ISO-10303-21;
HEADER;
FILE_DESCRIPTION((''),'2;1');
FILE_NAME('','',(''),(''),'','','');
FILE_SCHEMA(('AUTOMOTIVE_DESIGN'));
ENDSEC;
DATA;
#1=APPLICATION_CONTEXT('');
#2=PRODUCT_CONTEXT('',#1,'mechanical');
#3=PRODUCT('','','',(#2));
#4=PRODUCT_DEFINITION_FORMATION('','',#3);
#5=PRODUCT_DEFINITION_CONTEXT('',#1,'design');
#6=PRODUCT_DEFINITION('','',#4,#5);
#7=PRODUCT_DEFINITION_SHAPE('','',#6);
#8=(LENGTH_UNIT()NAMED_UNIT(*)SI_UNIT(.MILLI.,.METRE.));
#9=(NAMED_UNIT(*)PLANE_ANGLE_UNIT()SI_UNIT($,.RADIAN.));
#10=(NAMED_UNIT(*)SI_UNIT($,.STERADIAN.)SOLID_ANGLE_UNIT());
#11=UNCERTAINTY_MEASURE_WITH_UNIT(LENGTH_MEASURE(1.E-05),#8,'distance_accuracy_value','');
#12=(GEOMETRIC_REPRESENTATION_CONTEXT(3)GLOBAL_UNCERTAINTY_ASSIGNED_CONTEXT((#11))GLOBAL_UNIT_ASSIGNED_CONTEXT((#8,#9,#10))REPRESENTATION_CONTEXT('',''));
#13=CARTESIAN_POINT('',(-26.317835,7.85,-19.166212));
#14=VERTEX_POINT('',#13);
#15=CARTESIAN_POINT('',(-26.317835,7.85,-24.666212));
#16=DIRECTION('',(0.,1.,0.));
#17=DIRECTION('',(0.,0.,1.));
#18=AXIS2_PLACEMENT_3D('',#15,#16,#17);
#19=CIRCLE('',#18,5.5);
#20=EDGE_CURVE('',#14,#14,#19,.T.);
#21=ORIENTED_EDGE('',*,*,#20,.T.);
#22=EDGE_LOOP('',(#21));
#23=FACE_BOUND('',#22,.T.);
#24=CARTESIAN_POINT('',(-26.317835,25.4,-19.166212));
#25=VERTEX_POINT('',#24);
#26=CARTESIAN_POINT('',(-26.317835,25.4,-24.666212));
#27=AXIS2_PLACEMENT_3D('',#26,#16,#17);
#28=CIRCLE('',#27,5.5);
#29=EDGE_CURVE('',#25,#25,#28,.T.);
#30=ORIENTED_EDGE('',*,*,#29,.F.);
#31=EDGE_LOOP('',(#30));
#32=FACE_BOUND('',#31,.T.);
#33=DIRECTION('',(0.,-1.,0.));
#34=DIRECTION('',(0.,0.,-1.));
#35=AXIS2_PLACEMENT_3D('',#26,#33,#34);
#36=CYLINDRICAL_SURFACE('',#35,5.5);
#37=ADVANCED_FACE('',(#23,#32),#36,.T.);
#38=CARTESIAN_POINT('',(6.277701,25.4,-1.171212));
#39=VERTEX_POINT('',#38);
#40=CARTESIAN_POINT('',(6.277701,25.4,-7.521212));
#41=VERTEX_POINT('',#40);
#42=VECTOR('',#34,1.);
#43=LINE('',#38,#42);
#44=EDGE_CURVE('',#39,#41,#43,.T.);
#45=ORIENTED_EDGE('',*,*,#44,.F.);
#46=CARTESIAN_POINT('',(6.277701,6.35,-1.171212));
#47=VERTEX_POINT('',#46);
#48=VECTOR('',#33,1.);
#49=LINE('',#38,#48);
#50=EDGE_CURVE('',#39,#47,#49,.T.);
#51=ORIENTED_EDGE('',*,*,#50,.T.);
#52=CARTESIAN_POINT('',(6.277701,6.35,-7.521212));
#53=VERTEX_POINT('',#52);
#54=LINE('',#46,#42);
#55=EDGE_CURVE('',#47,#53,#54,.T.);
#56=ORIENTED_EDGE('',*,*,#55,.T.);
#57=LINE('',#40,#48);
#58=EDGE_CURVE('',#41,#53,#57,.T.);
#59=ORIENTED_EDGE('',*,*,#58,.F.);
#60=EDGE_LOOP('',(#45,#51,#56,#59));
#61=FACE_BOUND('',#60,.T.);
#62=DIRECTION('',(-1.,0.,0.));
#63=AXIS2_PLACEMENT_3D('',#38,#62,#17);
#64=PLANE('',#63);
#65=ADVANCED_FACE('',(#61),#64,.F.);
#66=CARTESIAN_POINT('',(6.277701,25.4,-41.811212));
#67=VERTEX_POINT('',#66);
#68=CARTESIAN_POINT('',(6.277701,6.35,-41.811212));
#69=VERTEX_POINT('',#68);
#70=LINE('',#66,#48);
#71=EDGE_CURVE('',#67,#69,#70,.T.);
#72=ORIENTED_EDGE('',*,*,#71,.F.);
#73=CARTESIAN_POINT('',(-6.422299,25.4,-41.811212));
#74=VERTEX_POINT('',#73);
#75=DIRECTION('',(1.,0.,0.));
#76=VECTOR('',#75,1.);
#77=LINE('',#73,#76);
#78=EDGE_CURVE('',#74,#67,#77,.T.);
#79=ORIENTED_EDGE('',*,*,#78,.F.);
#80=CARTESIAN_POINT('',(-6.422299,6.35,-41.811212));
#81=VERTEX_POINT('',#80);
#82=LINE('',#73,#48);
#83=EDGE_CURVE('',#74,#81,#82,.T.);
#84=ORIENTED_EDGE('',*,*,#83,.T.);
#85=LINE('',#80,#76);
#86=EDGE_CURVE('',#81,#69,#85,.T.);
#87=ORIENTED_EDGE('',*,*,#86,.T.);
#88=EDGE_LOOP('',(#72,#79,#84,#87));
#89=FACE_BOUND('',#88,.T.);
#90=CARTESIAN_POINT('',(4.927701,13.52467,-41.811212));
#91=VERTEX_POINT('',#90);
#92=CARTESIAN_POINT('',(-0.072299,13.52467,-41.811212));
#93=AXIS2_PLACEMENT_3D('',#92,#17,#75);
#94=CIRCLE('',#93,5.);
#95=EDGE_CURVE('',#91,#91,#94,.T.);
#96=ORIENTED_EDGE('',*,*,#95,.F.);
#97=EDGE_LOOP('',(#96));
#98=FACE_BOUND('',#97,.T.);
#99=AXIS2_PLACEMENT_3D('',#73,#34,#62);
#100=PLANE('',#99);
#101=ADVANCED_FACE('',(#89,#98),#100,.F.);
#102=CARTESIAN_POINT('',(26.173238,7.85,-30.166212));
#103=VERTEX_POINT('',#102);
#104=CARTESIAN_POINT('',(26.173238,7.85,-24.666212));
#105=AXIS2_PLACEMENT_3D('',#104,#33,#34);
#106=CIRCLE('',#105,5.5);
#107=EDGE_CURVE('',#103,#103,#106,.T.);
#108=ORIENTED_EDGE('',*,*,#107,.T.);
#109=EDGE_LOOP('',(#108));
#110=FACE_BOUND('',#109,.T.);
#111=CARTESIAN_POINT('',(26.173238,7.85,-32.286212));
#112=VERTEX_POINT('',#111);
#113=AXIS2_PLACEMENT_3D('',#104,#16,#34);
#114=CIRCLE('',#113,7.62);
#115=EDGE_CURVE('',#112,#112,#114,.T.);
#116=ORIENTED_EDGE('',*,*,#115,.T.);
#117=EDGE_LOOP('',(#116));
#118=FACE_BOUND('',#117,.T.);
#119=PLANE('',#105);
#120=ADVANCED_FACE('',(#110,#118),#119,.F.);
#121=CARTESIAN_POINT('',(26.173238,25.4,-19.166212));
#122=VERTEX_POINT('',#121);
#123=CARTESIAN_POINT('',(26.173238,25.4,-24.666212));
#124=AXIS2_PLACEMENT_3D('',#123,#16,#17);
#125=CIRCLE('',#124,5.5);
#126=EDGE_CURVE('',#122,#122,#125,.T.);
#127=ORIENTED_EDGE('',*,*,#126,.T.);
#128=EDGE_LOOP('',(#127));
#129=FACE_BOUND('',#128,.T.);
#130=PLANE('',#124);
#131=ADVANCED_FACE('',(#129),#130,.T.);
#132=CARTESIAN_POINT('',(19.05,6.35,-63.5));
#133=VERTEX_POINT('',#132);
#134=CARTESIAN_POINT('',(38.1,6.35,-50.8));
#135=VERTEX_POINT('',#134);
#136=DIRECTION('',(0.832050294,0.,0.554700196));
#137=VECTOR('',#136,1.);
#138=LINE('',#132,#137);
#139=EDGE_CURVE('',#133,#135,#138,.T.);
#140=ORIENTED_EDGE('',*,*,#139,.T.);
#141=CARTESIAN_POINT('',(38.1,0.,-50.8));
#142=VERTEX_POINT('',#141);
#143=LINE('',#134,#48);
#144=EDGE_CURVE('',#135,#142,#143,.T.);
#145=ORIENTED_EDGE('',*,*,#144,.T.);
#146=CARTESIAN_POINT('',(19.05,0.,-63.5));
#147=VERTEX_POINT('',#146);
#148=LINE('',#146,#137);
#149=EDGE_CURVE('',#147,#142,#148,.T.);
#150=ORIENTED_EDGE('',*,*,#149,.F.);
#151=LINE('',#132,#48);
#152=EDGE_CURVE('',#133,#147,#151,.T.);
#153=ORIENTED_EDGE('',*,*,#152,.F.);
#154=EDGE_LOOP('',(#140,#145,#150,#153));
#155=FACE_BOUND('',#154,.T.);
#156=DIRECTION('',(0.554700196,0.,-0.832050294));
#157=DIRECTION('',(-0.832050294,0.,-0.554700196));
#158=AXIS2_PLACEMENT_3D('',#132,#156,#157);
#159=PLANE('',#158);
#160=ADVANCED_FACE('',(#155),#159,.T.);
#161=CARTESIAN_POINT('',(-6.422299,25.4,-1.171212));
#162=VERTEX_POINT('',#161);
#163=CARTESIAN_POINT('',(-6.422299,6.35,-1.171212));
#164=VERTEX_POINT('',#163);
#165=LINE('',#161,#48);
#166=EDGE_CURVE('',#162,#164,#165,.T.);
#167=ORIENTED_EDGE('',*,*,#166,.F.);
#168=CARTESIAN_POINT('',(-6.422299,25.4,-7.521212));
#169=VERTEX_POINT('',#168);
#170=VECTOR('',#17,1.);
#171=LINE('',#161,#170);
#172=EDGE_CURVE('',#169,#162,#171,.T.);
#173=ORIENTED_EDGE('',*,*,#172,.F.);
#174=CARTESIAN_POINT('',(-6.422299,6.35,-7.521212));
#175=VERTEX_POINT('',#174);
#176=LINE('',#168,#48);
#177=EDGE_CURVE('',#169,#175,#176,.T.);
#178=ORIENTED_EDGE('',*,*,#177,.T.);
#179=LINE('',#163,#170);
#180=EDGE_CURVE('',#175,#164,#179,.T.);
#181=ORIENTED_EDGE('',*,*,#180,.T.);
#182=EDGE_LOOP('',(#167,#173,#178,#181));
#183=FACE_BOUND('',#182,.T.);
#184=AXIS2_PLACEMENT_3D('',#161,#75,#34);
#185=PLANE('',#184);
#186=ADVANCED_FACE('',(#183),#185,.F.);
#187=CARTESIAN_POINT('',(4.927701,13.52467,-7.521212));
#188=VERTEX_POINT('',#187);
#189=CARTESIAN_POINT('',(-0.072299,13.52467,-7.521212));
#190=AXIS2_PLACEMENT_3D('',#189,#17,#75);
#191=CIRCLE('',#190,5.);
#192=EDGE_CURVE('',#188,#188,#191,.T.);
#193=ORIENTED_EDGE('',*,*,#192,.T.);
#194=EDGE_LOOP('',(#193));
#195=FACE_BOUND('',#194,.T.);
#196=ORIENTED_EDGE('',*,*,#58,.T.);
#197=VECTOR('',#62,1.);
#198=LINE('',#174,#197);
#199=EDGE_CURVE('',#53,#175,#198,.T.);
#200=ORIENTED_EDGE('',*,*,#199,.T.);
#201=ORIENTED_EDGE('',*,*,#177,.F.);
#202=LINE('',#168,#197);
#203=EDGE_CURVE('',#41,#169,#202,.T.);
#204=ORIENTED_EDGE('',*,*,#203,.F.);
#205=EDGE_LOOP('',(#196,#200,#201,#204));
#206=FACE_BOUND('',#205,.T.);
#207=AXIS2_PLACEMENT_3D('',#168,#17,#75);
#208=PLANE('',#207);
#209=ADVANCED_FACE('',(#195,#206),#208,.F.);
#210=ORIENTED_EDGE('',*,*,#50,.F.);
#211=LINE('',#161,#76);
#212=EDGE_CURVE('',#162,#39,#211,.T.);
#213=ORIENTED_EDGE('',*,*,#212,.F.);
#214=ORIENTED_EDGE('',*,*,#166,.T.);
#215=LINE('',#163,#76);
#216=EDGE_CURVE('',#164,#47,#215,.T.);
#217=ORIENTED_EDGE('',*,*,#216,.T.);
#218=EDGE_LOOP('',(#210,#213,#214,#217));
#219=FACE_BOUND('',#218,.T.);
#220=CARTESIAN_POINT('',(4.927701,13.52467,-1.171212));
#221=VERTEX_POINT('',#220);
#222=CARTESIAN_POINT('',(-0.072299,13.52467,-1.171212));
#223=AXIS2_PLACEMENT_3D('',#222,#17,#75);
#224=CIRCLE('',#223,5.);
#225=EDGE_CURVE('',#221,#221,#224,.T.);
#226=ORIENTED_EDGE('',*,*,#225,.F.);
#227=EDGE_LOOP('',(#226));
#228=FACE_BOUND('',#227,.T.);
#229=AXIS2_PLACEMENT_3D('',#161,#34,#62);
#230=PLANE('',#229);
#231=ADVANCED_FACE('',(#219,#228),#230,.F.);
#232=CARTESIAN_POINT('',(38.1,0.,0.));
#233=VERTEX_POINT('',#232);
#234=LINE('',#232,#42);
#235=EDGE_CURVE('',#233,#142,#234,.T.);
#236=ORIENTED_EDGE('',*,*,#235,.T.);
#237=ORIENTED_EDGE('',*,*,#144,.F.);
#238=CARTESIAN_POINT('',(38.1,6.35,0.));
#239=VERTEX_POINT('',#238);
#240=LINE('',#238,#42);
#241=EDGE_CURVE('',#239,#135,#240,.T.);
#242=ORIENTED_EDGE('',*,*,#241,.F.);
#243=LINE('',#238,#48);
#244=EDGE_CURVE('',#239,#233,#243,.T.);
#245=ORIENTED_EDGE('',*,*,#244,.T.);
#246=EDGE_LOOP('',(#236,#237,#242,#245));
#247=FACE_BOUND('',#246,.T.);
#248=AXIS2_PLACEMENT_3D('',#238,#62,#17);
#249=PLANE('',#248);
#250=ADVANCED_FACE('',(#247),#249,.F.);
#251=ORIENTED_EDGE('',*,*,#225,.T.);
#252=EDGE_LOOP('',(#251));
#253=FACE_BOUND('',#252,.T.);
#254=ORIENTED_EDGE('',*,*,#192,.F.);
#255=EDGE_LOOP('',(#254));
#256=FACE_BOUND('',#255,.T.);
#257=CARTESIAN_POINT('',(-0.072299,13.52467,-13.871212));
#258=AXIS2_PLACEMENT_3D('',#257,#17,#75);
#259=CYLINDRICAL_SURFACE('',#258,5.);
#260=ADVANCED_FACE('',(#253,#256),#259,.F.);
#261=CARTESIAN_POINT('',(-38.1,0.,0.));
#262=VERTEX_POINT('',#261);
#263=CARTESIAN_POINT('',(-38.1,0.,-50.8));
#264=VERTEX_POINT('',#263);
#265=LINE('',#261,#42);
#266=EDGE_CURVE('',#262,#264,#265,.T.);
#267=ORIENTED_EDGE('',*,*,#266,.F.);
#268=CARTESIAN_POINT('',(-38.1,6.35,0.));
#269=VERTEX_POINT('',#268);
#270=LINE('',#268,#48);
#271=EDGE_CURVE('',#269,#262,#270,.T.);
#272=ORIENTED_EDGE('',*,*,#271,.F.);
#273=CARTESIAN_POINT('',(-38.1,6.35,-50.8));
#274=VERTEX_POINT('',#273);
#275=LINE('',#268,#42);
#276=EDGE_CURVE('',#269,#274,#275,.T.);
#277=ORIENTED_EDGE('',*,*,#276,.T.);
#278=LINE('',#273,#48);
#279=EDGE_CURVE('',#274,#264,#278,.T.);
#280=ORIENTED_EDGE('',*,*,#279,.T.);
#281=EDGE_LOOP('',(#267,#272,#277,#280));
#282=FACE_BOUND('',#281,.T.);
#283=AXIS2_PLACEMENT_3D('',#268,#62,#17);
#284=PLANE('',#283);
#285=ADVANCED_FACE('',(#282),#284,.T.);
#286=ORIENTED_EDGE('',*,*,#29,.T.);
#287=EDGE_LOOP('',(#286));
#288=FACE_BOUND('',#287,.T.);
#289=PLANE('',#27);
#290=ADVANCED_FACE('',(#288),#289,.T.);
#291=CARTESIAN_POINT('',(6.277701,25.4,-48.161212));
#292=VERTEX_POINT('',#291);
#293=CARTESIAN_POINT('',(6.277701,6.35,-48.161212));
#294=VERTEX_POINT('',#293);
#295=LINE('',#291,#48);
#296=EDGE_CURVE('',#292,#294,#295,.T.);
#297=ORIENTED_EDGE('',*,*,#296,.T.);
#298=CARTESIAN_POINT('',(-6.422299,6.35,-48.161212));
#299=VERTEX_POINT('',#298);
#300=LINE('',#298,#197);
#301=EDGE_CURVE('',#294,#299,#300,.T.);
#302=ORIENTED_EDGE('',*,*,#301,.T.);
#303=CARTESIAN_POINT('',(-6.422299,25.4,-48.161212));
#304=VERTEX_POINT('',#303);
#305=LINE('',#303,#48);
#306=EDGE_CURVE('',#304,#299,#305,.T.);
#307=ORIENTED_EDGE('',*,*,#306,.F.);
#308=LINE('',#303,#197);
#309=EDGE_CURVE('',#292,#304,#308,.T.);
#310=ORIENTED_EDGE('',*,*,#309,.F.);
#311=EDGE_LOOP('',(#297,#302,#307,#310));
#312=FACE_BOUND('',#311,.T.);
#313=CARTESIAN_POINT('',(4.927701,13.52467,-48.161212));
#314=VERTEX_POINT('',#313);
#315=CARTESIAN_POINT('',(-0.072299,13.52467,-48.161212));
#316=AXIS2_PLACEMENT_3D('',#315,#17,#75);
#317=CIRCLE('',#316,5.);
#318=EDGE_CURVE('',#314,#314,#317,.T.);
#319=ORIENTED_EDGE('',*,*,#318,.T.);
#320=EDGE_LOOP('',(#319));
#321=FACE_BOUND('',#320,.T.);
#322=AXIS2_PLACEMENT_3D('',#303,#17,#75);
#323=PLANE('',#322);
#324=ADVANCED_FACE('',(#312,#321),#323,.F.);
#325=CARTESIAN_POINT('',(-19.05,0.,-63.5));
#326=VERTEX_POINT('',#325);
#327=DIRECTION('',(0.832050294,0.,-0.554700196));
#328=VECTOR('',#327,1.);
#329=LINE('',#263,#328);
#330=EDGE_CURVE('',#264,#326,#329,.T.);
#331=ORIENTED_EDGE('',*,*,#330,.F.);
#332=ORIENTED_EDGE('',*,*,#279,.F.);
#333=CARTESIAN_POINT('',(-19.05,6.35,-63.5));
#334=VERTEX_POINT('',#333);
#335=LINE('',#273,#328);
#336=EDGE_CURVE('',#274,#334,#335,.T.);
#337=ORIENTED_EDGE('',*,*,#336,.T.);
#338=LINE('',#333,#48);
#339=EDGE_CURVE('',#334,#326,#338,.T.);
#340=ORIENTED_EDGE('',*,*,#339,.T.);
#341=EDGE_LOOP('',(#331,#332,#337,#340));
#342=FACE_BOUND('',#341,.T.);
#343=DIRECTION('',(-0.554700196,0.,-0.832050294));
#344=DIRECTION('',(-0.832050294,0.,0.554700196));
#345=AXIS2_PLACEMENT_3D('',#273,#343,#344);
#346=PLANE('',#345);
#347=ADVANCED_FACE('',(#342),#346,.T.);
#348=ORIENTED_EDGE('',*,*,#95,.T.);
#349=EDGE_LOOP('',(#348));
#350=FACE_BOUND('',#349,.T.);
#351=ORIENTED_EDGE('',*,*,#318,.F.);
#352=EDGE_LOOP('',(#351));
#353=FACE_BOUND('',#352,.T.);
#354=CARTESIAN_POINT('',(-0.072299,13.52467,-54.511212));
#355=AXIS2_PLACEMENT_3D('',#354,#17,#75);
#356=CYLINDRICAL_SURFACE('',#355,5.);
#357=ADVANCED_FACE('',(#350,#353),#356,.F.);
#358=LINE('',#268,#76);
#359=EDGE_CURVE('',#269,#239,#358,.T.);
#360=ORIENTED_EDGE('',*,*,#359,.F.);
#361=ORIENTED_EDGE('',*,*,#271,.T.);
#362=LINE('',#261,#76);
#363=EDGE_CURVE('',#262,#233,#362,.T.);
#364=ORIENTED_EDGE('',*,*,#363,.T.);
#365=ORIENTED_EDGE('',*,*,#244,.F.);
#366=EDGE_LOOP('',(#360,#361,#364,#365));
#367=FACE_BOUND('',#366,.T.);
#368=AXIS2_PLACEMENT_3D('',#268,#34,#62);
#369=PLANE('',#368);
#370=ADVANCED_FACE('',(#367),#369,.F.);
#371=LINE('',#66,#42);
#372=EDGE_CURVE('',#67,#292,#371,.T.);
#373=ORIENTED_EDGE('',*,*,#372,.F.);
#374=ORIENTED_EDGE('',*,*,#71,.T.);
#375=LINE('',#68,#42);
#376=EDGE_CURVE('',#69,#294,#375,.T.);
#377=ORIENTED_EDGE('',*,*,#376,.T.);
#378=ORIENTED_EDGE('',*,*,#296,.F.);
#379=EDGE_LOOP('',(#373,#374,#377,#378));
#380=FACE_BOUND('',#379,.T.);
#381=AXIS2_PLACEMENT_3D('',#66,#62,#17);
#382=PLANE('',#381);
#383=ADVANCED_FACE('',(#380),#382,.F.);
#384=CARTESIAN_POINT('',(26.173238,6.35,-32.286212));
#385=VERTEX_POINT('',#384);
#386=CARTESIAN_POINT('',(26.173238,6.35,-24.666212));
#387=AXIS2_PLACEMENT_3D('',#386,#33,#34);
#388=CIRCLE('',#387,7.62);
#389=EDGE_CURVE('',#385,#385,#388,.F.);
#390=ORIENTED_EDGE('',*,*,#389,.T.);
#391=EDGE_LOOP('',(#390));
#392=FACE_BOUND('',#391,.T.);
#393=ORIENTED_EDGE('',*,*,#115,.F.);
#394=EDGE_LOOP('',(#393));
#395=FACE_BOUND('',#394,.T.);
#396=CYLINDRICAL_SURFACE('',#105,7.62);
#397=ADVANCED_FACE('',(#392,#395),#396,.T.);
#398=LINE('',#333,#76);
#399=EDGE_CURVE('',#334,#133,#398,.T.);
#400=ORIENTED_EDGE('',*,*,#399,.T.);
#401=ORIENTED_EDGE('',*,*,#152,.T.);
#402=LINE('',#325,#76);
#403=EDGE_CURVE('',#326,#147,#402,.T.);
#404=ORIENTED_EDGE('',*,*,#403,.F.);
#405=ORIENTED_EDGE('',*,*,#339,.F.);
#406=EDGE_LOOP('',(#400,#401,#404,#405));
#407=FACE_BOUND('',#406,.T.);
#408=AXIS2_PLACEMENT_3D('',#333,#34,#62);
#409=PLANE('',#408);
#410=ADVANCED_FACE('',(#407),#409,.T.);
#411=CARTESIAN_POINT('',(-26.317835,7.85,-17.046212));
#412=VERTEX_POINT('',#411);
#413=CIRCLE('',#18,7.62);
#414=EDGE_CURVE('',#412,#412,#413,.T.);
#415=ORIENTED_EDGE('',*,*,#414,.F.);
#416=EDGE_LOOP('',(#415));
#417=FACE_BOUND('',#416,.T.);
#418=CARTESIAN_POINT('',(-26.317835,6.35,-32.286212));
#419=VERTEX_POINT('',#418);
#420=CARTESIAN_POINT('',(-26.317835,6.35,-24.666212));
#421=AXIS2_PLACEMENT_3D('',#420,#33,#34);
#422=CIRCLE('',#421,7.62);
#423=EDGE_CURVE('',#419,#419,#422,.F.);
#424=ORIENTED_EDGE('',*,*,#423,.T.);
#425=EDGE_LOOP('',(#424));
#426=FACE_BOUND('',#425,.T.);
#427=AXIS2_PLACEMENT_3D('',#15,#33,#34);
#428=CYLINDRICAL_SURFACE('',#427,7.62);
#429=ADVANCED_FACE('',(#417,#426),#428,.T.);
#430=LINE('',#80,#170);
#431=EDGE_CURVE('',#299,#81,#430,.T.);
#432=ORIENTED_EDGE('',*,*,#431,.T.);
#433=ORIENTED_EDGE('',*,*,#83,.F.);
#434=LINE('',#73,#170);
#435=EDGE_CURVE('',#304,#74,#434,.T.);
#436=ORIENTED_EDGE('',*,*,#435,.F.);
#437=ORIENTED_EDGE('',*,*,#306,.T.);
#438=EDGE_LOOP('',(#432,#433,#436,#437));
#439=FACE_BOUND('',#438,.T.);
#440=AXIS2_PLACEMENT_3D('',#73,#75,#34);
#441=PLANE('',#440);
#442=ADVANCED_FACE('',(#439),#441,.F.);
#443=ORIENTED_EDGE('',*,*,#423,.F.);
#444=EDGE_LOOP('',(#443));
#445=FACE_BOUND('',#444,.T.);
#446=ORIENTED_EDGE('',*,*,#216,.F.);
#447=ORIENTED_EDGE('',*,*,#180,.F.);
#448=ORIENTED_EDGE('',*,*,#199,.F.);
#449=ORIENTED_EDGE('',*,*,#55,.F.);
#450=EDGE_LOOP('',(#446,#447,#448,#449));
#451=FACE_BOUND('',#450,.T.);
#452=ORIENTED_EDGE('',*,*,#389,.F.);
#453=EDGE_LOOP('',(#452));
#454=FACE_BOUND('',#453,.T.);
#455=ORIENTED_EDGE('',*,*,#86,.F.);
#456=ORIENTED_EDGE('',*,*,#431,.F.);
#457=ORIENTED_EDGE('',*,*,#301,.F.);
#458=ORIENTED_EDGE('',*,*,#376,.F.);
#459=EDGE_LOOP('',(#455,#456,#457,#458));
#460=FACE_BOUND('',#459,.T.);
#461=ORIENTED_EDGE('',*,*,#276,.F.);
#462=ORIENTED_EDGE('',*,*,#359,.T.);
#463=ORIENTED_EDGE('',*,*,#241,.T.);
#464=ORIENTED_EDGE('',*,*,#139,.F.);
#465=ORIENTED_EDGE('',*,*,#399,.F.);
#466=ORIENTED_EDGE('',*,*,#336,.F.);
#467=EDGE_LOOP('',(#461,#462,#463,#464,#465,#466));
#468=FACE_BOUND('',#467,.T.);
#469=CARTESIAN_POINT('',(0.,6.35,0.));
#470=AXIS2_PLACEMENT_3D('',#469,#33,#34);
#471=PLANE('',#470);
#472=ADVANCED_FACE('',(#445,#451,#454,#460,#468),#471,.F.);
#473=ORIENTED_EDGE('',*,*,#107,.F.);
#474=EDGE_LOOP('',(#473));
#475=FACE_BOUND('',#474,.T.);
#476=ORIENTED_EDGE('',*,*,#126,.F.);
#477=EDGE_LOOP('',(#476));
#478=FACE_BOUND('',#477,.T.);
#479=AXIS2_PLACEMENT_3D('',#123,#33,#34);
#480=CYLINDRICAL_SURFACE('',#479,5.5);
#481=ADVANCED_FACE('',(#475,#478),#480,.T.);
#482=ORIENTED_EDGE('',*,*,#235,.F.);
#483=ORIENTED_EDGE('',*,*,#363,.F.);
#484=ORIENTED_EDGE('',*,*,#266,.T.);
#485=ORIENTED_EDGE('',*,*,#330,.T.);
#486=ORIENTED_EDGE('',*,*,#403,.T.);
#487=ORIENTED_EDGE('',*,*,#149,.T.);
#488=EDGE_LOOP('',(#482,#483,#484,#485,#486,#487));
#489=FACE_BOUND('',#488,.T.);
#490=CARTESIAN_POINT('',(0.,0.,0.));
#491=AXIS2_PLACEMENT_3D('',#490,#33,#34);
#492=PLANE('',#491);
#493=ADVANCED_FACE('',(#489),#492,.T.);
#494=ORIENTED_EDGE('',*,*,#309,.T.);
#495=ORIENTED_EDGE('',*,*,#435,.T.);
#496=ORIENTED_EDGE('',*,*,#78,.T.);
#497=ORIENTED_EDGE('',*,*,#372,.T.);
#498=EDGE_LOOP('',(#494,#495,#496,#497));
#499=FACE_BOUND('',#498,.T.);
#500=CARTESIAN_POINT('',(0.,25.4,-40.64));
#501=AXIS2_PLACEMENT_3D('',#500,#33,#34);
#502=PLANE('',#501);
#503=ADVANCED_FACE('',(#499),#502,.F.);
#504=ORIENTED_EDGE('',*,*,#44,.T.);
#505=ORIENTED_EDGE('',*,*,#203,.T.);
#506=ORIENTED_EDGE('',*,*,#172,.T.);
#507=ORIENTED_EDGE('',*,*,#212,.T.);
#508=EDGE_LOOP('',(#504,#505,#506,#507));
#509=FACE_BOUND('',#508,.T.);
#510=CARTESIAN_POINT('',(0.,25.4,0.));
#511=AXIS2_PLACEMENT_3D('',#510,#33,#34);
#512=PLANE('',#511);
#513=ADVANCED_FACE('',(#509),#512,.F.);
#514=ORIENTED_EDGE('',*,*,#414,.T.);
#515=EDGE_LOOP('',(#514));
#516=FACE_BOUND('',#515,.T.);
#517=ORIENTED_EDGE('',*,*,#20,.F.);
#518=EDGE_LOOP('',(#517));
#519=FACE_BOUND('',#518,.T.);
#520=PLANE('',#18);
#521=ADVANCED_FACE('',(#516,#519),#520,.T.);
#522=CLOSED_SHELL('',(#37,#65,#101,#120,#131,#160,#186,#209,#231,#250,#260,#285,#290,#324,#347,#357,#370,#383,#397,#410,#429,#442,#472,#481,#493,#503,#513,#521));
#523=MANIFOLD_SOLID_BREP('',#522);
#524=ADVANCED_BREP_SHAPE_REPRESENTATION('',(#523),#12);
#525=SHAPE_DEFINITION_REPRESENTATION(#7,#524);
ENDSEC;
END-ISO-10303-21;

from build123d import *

# Parameters (mm, degrees)
BOSS_EXTRUDE1_DEPTH = 6.35
SKETCH3_W           = 12.7
SKETCH3_H           = 6.35
BOSS_EXTRUDE2_DEPTH = 19.05
SKETCH4_R           = 5
CUT_EXTRUDE1_DEPTH  = 12.7
LPATTERN1_COUNT     = 2
LPATTERN1_PITCH     = 40.64
SKETCH5_R           = 5.5
BOSS_EXTRUDE3_DEPTH = 19.05
SKETCH10_R          = 7.62
BOSS_EXTRUDE4_DEPTH = 1.5


with BuildPart() as part:
    # Sketch2 → Boss-Extrude1 (new body)
    with BuildSketch(Plane(origin=(0, 0, 0), x_dir=(1, 0, 0), z_dir=(0, 1, 0))):
        Polygon((-38.1, 0), (38.1, 0), (38.1, 50.8), (19.05, 63.5), (-19.05, 63.5), (-38.1, 50.8), align=None)
    extrude(amount=BOSS_EXTRUDE1_DEPTH)

    # Sketch3 → Boss-Extrude2 (add)
    with BuildSketch(Plane(origin=(0, 6.35, 0), x_dir=(1, 0, 0), z_dir=(0, 1, 0))):
        with Locations((-0.072298758, 4.346211763)):
            Rectangle(SKETCH3_W, SKETCH3_H)
    boss_extrude2 = extrude(amount=BOSS_EXTRUDE2_DEPTH)

    # Sketch4 → Cut-Extrude1 (cut)
    with BuildSketch(Plane.XY.offset(-1.171211763)):
        with Locations((-0.072298758, 13.524669763)):
            Circle(SKETCH4_R)
    cut_extrude1 = extrude(amount=-CUT_EXTRUDE1_DEPTH, mode=Mode.SUBTRACT)

    # LPattern1: Boss-Extrude2, Cut-Extrude1 ×2
    with Locations(*[(0, 0, -i * LPATTERN1_PITCH) for i in range(1, LPATTERN1_COUNT)]):
        add(boss_extrude2)
        add(cut_extrude1, mode=Mode.SUBTRACT)

    # Sketch5 → Boss-Extrude3 (add)
    with BuildSketch(Plane(origin=(0, 6.35, 0), x_dir=(1, 0, 0), z_dir=(0, 1, 0))):
        with Locations((-26.317835068, 24.666211763)):
            Circle(SKETCH5_R)
        with Locations((26.173237553, 24.666211763)):
            Circle(SKETCH5_R)
    extrude(amount=BOSS_EXTRUDE3_DEPTH)

    # Sketch10 → Boss-Extrude4 (add)
    with BuildSketch(Plane(origin=(0, 6.35, 0), x_dir=(1, 0, 0), z_dir=(0, 1, 0))):
        with Locations((-26.31783504, 24.666211763)):
            Circle(SKETCH10_R)
        with Locations((26.173237524, 24.666211763)):
            Circle(SKETCH10_R)
    extrude(amount=BOSS_EXTRUDE4_DEPTH)


solid = part.part
